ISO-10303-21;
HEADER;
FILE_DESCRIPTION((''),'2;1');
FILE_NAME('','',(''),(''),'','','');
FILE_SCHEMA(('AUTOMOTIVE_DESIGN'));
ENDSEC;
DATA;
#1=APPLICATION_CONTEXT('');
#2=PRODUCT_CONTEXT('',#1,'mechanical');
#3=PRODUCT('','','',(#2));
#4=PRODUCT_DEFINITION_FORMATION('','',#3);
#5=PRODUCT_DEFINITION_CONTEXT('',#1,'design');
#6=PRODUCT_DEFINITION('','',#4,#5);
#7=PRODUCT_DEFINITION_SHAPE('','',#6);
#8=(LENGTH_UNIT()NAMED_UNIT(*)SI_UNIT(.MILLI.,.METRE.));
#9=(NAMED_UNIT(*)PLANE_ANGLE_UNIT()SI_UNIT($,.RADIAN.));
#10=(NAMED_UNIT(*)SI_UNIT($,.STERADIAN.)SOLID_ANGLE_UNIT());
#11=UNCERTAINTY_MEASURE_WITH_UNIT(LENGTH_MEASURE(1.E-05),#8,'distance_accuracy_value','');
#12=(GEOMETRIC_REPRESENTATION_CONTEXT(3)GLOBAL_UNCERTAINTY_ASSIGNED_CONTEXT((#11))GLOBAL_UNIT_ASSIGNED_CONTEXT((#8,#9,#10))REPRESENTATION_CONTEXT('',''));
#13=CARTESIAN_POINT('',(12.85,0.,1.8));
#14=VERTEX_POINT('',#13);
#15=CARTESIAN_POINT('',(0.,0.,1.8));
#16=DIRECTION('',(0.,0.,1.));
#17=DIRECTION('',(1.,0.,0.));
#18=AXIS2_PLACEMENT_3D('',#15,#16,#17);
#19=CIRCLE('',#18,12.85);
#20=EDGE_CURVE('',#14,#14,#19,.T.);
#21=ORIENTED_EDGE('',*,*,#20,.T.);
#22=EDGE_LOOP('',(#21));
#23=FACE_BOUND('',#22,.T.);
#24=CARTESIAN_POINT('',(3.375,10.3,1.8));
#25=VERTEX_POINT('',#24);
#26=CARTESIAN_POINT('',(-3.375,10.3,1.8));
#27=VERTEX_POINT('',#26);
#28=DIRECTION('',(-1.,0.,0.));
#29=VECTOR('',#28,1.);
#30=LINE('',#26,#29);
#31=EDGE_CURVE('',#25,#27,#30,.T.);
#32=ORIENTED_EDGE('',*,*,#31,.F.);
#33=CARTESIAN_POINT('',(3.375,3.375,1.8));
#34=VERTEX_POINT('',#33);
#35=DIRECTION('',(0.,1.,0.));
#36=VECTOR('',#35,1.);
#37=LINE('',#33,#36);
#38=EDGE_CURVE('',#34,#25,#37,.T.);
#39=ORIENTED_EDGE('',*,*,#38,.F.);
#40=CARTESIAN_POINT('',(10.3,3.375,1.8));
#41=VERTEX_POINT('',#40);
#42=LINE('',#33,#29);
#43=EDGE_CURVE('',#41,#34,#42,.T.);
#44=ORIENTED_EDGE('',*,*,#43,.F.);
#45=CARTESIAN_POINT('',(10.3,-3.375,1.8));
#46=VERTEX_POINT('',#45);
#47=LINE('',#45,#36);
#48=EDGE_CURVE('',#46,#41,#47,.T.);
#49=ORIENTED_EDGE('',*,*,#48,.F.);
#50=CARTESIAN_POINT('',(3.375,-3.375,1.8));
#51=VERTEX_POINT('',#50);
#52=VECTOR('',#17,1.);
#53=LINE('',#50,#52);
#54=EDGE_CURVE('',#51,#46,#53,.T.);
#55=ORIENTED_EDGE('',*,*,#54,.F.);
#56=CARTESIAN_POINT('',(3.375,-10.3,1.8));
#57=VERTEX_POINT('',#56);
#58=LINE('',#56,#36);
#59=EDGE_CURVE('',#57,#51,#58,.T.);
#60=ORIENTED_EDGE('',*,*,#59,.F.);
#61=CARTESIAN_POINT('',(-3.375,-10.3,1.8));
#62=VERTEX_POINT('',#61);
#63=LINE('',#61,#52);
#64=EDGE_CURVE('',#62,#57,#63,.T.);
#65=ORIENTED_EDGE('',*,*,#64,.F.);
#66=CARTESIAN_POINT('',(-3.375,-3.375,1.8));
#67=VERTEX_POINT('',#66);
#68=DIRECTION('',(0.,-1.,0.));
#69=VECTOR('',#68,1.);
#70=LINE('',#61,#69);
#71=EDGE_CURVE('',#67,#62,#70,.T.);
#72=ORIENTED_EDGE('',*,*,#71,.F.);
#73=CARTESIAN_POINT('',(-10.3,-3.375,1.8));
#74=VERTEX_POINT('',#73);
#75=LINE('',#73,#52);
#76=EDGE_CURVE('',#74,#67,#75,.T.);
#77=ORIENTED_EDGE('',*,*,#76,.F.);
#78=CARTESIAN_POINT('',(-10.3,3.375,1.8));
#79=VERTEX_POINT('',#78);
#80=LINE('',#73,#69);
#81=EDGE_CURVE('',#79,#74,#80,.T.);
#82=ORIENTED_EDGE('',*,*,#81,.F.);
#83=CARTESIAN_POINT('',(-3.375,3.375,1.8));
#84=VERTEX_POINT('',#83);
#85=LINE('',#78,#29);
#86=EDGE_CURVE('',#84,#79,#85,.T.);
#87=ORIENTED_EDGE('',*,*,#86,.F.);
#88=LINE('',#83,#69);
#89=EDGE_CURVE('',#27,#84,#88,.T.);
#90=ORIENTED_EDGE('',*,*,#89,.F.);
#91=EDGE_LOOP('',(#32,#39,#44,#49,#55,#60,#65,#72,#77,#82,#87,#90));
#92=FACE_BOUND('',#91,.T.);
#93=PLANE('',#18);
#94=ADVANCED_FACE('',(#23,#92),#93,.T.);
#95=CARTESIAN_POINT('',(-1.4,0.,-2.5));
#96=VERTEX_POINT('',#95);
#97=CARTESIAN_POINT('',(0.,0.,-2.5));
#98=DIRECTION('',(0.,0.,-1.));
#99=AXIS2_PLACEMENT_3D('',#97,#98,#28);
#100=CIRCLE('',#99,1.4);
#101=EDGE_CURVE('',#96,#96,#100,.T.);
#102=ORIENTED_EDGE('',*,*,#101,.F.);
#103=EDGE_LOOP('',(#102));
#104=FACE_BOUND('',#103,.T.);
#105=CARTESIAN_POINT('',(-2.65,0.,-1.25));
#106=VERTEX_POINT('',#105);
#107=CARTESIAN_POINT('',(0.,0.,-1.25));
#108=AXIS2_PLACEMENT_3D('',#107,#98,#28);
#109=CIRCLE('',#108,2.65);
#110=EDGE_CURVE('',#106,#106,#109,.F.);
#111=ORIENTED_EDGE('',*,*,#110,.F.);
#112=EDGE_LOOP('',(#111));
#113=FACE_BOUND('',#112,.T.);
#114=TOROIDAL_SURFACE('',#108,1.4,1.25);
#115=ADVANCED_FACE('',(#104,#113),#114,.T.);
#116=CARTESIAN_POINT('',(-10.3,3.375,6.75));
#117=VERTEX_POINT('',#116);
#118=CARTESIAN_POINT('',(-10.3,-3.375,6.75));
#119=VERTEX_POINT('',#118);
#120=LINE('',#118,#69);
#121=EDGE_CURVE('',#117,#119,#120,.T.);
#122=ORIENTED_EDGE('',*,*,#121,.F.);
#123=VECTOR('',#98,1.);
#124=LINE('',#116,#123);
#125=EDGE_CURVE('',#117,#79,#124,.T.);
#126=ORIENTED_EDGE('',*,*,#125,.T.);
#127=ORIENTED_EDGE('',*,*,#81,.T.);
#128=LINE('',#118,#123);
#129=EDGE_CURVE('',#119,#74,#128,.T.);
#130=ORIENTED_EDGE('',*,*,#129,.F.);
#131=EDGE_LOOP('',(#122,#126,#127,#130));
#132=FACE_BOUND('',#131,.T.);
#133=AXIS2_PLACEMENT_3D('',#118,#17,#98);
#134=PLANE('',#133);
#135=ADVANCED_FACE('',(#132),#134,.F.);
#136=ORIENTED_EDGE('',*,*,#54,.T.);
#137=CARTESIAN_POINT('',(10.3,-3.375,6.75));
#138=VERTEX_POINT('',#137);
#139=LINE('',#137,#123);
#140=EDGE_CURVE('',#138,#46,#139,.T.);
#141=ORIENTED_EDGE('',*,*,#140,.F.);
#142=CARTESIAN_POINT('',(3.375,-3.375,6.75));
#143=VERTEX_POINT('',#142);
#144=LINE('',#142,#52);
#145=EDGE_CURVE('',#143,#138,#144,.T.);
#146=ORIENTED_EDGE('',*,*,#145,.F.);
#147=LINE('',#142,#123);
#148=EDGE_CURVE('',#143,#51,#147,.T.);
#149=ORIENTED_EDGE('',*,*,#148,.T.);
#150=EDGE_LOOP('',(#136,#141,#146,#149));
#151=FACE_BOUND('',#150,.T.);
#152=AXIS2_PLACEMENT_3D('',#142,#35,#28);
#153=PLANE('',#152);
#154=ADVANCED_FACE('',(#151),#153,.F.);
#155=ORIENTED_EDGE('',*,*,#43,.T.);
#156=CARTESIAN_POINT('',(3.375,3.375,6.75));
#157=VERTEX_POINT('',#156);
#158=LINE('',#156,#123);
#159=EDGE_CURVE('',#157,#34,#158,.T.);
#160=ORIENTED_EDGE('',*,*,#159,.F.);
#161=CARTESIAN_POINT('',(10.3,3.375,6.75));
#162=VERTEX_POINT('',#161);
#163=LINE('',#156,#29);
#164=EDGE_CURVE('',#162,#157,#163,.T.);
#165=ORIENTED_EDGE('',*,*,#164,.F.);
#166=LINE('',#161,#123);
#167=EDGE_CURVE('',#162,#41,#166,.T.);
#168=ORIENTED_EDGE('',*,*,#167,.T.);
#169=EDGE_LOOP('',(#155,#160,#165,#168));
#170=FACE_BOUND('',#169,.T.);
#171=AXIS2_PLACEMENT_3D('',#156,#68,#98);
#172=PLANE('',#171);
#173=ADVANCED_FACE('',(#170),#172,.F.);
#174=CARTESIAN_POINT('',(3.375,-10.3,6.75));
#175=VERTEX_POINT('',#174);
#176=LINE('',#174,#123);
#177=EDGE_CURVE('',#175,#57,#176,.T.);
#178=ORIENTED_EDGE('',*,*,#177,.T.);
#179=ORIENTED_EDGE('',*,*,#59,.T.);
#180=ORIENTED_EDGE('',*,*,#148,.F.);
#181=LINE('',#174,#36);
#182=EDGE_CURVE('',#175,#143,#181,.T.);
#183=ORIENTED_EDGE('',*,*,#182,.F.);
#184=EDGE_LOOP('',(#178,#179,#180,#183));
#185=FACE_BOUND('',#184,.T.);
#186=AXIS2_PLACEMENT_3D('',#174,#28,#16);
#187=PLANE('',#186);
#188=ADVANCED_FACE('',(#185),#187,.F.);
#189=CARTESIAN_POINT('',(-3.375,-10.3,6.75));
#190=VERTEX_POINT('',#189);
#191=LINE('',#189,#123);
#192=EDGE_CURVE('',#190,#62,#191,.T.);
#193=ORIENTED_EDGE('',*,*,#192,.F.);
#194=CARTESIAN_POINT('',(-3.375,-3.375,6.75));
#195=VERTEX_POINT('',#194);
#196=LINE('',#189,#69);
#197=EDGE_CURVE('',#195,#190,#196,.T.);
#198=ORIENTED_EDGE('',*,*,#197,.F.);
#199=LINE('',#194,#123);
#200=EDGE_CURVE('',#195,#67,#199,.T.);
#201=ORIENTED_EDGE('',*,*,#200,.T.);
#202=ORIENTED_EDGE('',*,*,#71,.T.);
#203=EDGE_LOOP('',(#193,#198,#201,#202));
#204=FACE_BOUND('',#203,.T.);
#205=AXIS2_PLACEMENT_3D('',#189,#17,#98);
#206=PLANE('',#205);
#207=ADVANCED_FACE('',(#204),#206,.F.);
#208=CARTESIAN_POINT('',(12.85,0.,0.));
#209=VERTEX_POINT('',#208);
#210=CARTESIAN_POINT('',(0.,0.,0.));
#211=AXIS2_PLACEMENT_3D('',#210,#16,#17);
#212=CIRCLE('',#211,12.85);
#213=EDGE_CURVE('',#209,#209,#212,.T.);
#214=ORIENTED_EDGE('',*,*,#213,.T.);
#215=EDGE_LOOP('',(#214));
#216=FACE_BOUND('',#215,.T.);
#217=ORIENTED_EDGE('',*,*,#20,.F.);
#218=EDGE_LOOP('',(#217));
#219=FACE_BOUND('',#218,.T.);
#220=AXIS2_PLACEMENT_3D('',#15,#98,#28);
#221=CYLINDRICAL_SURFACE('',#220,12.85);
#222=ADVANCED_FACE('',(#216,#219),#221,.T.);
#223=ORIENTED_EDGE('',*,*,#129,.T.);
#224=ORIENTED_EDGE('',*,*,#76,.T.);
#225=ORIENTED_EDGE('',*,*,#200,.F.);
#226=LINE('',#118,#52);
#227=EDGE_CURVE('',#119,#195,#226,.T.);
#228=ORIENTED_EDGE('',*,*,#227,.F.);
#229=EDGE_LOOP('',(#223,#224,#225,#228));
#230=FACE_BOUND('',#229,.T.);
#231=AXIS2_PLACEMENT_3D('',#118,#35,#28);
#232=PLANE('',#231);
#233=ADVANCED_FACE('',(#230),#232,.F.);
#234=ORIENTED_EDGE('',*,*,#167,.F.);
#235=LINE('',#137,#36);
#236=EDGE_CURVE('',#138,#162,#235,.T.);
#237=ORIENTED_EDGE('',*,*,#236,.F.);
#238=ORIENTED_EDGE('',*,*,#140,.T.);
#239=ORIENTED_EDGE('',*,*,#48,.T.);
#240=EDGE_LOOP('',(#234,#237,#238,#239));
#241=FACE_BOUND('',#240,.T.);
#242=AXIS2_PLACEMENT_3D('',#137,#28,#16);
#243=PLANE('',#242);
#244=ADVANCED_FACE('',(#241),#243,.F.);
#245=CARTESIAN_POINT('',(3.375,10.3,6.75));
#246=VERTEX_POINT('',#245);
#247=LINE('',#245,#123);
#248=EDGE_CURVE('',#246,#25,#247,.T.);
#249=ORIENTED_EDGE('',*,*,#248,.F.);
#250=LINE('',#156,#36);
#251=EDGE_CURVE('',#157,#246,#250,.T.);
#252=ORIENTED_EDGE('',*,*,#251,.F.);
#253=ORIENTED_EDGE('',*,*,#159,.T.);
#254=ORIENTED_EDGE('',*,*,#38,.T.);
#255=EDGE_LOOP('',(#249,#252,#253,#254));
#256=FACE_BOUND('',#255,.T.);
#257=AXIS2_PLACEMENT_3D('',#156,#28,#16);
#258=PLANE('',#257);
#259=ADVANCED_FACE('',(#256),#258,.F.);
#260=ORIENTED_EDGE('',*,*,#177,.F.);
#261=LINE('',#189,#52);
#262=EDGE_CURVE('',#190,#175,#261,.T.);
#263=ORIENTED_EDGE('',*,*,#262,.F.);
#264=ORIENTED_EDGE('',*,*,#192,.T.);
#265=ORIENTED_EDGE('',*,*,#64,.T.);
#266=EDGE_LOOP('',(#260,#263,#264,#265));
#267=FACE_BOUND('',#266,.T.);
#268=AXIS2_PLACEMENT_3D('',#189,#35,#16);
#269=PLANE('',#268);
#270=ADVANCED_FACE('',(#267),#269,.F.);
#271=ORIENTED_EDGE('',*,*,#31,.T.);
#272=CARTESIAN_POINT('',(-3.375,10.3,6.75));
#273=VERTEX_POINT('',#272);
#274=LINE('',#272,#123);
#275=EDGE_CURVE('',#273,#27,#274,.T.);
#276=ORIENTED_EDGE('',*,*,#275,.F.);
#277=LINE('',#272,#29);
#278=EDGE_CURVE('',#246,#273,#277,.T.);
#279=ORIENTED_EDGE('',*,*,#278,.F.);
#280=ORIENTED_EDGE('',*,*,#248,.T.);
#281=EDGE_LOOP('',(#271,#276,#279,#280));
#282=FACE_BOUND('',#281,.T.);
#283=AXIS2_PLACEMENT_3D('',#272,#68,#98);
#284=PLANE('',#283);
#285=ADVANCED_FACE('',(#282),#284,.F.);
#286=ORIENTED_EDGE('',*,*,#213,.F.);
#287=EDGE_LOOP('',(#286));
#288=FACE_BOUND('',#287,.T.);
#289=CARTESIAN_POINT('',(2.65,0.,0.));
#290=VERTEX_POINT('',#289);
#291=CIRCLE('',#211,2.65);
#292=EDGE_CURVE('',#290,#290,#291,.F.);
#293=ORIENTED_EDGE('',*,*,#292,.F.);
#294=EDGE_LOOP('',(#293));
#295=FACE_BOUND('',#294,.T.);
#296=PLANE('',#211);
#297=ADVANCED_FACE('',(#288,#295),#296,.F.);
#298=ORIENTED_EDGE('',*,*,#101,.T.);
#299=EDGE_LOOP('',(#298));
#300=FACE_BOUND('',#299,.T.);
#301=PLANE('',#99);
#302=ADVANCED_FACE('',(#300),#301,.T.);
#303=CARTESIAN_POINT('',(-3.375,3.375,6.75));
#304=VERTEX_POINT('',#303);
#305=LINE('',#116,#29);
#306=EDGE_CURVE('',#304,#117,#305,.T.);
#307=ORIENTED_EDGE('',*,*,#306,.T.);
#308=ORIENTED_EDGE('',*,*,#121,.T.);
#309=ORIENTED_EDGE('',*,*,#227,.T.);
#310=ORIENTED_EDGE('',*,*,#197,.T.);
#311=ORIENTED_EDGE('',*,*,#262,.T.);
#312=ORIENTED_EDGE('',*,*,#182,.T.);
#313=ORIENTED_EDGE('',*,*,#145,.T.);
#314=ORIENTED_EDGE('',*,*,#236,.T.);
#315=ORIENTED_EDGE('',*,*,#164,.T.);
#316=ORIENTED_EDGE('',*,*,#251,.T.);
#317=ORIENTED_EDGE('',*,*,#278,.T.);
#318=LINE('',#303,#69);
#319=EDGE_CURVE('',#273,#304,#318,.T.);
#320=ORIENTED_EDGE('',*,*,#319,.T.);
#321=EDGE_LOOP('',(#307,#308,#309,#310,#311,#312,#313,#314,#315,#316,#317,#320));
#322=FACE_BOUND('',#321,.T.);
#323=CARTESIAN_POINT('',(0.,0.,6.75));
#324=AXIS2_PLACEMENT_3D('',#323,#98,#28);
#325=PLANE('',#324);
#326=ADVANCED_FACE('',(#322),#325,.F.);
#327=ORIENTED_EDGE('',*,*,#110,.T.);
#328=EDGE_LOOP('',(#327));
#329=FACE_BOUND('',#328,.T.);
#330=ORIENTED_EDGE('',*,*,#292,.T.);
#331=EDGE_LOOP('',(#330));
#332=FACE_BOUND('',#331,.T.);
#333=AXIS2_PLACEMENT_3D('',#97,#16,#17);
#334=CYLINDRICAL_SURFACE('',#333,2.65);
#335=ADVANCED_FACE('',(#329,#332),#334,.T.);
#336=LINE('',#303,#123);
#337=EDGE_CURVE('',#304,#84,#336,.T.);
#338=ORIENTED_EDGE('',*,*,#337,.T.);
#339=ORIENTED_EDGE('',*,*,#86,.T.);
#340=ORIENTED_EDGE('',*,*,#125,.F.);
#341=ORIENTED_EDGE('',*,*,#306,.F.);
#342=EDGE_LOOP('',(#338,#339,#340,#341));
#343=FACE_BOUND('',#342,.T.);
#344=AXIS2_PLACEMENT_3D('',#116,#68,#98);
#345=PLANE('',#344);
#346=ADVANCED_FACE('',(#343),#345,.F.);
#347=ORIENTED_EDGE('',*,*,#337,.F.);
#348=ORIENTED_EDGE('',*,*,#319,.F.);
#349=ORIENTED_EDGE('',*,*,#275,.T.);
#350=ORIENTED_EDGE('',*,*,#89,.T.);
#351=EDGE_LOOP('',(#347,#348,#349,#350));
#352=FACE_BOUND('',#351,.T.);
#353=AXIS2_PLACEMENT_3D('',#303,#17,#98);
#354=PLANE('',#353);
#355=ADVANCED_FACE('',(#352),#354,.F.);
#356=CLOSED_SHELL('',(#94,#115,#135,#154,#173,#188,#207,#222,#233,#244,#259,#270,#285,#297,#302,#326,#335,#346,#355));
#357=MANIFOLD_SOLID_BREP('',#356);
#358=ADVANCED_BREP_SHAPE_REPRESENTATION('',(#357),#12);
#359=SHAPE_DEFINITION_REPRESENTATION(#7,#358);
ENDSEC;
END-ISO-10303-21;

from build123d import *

# Parameters (mm, degrees)
SKETCH1_R           = 12.85
BOSS_EXTRUDE1_DEPTH = 1.8
BOSS_EXTRUDE2_DEPTH = 4.95
SKETCH3_R           = 2.65
BOSS_EXTRUDE3_DEPTH = 2.5
FILLET1_R           = 1.25


with BuildPart() as part:
    # Sketch1 → Boss-Extrude1 (new body)
    with BuildSketch(Plane.XY):
        Circle(SKETCH1_R)
    extrude(amount=BOSS_EXTRUDE1_DEPTH)

    # Sketch2 → Boss-Extrude2 (add)
    with BuildSketch(Plane.XY.offset(1.8)):
        Polygon((3.375, 3.375), (10.3, 3.375), (10.3, -3.375), (3.375, -3.375), (3.375, -10.3), (-3.375, -10.3), (-3.375, -3.375), (-10.3, -3.375), (-10.3, 3.375), (-3.375, 3.375), (-3.375, 10.3), (3.375, 10.3), align=None)
    extrude(amount=BOSS_EXTRUDE2_DEPTH)

    # Sketch3 → Boss-Extrude3 (add)
    with BuildSketch(Plane(origin=(0, 0, 0), x_dir=(-1, 0, 0), z_dir=(0, 0, -1))):
        with Locations(Location((0, 0, 0), (0, 0, 180))):
            Circle(SKETCH3_R)
    extrude(amount=BOSS_EXTRUDE3_DEPTH)

    # Fillet1
    fillet1_edges = [part.edges().sort_by_distance(p)[0] for p in [
        (-2.65, 0, -2.5),
    ]]
    fillet(fillet1_edges, radius=FILLET1_R)


solid = part.part
